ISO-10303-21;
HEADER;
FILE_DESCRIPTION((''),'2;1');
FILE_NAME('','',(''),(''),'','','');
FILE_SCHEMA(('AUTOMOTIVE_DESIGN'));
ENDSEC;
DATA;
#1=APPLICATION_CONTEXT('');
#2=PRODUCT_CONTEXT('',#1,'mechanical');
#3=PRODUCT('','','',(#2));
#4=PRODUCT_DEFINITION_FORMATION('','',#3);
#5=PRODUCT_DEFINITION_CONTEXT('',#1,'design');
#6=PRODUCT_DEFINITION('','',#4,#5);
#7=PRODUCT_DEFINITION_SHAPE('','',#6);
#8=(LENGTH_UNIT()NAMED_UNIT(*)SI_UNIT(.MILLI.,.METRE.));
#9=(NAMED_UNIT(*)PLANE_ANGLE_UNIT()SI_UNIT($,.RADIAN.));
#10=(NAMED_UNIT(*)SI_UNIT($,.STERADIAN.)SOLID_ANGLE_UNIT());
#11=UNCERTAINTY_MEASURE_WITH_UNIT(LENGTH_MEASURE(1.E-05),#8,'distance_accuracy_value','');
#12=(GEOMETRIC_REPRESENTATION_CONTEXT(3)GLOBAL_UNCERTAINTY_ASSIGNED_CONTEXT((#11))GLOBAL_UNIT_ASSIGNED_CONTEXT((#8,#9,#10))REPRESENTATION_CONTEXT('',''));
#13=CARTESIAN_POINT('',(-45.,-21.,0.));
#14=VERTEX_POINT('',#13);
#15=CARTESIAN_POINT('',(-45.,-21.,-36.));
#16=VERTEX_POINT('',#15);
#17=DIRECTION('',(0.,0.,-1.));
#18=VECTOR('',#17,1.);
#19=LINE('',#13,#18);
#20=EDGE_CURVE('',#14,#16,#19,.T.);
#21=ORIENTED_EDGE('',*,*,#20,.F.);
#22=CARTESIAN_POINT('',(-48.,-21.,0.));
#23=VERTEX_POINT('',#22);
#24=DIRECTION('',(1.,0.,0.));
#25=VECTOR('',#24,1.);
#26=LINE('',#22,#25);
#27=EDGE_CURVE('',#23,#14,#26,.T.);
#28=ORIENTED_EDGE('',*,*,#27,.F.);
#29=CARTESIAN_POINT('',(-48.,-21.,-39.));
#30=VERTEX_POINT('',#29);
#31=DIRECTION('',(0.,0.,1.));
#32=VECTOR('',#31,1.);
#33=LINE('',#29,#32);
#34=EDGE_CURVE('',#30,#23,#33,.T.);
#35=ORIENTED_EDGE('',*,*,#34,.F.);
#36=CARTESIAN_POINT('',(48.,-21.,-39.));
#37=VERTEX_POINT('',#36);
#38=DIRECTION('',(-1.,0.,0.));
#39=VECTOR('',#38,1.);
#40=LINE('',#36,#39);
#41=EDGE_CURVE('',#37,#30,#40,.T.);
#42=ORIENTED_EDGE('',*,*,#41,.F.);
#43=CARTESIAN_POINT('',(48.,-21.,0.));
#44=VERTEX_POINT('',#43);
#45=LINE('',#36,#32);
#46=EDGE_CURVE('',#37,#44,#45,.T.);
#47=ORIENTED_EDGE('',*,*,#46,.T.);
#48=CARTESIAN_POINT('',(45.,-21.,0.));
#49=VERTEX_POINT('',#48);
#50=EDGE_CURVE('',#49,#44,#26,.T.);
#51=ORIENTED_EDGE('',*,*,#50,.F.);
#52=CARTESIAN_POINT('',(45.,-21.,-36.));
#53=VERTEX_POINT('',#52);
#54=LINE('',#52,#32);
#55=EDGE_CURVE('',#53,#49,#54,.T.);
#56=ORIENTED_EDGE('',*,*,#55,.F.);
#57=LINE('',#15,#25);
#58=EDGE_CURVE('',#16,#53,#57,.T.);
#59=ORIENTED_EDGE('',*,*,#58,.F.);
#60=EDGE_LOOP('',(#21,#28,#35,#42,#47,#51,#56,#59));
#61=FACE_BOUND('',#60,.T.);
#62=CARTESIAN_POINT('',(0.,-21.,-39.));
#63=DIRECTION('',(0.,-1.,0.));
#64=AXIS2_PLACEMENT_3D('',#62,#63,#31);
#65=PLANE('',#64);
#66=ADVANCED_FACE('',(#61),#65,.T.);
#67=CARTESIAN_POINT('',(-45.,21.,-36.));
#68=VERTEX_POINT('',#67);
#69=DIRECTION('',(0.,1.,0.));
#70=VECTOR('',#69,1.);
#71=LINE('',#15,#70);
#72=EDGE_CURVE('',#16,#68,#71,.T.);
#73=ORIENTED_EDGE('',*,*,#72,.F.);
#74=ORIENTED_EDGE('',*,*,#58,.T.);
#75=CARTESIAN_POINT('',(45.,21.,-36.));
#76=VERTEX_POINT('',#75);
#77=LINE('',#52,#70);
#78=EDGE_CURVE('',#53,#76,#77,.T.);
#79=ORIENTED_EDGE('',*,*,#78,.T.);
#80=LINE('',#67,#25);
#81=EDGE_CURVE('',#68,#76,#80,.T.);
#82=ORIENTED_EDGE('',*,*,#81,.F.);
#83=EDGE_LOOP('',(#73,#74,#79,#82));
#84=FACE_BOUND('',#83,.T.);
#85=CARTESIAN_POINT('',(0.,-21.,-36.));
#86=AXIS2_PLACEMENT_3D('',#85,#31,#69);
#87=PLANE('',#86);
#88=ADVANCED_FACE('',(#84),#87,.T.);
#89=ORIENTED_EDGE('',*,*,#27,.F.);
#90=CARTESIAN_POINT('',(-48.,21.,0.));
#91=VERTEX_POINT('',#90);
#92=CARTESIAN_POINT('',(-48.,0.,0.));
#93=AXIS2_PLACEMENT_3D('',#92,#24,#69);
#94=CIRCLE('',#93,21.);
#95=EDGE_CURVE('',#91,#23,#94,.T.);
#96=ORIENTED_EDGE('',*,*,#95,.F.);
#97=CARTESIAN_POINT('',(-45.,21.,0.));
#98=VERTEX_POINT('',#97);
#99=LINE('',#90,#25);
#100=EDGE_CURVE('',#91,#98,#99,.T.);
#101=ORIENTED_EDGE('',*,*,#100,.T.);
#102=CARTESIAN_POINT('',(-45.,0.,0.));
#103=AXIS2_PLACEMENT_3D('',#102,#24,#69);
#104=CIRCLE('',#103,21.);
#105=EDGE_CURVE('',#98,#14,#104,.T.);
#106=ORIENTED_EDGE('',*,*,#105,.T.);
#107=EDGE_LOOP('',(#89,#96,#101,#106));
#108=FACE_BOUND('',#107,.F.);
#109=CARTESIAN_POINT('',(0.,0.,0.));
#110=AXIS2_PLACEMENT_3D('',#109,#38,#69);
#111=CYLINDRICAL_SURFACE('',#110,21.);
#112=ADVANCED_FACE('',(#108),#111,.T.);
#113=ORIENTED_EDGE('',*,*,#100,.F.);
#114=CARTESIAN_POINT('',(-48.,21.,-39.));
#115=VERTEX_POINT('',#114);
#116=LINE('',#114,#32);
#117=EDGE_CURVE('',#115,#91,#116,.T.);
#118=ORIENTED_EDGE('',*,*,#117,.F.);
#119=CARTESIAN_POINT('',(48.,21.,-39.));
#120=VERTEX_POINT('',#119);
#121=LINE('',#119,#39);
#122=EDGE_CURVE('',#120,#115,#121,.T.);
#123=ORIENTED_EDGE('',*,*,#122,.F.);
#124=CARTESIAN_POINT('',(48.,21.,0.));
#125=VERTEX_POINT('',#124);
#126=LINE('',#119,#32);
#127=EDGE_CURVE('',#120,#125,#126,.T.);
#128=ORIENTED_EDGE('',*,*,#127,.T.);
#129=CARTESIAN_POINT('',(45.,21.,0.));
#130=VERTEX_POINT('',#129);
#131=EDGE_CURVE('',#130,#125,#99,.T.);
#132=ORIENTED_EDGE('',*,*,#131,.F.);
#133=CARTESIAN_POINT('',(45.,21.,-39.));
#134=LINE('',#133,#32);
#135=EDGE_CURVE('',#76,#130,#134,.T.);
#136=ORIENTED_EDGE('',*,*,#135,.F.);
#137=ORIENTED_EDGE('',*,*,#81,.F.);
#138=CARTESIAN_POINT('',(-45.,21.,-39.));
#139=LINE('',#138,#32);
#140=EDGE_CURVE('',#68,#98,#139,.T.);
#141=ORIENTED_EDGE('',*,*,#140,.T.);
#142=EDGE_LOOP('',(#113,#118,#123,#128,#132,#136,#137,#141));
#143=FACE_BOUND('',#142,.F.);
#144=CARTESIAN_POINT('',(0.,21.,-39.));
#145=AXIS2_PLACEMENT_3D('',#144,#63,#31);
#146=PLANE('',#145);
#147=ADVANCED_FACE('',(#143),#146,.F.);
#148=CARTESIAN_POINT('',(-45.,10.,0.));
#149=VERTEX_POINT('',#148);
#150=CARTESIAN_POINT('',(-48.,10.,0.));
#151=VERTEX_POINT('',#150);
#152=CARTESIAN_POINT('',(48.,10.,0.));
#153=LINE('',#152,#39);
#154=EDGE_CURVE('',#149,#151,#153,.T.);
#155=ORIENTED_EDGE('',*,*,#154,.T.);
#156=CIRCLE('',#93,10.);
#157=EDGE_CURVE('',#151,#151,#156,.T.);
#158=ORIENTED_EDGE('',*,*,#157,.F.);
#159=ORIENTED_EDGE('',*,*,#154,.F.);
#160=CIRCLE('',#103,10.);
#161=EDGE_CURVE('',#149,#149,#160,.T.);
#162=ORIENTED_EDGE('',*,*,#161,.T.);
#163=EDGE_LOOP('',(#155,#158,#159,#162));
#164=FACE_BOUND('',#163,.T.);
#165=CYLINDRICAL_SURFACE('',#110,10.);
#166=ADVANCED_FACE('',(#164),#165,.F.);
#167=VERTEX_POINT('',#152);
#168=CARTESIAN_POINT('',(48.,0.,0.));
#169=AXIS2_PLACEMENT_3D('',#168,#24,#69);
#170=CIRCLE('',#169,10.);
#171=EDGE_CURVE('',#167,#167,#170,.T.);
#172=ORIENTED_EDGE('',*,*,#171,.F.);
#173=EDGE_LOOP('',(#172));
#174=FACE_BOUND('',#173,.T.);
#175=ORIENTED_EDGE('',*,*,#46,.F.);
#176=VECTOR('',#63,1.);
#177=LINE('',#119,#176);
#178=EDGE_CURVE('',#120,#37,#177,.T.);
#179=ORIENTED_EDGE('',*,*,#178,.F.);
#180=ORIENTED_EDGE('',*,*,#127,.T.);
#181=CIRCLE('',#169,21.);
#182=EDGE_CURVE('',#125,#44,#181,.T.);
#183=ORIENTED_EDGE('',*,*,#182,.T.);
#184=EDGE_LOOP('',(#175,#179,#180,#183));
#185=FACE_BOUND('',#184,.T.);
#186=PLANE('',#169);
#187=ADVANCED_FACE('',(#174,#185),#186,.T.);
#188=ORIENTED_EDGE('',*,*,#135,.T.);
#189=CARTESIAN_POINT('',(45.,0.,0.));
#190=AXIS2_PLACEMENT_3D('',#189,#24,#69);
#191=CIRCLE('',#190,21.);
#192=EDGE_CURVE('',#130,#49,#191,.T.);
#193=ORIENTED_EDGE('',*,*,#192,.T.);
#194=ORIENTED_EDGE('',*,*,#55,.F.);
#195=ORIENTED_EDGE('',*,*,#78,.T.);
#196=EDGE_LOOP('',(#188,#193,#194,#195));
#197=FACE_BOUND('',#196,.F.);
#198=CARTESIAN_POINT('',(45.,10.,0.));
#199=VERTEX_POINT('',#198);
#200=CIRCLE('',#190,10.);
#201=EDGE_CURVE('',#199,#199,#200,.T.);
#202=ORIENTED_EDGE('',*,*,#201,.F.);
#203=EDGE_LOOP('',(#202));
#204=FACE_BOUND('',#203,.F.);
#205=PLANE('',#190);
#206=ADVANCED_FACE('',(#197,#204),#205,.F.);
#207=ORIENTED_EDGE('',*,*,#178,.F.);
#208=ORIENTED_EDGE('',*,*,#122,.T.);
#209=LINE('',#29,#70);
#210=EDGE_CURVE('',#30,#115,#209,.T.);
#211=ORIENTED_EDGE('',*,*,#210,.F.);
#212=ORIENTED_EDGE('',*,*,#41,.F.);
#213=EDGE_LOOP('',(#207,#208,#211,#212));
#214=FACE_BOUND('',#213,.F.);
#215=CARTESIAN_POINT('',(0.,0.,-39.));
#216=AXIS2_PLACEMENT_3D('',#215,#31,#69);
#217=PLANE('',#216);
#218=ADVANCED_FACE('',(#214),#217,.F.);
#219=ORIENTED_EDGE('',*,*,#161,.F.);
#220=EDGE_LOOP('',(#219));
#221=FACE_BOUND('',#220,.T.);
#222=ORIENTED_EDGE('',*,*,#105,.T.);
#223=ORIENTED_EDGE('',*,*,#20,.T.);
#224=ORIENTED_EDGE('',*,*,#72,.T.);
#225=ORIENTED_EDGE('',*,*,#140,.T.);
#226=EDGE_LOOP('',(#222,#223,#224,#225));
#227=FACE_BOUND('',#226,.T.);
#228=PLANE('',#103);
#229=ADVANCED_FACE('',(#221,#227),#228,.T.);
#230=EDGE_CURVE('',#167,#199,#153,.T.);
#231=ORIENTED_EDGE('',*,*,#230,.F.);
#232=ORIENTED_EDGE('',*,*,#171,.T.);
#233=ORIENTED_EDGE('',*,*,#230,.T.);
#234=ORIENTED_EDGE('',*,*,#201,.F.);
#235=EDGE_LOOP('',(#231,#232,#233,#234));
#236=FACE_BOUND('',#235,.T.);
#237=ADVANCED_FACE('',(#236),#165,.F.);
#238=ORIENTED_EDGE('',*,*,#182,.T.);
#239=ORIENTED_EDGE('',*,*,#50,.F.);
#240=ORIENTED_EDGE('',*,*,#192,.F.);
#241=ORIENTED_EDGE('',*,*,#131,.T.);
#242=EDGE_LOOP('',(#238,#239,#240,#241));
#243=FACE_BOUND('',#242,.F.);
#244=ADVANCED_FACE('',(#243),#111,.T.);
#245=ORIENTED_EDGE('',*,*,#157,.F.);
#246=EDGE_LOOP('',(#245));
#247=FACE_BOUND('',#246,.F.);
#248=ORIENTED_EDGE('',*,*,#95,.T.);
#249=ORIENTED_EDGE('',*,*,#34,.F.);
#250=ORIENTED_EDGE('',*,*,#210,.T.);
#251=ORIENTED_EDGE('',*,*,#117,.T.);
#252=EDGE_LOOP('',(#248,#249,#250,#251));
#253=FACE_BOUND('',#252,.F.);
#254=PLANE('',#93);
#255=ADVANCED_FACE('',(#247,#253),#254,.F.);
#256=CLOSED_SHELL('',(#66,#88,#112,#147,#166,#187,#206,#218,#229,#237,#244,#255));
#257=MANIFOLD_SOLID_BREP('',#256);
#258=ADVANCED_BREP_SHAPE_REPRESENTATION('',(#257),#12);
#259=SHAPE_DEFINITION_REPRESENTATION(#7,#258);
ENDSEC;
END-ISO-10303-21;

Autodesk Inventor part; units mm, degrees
ref_plane "YZ Plane" through (0, 0, 0) normal (1, 0, 0) x (0, 1, 0)
ref_plane "XZ Plane" through (0, 0, 0) normal (0, 1, 0) x (-1, 0, 0)
ref_plane "XY Plane" through (0, 0, 0) normal (0, 0, 1) x (1, 0, 0)
sketch "Sketch1" plane through (0, 0, 0) normal (0, 0, 1) x (1, 0, 0)
  circle A0 centre (0, 0) radius 10
  arc A1 (21, 0) -> (-21, 0) centre (0, 0) ccw
  line L0 (0, 0) -> (0, -39) construction
  line L1 (0, -39) -> (21, -39)
  line L2 (0, -39) -> (-21, -39)
  line L3 (-21, -39) -> (-21, 0)
  line L4 (21, -39) -> (21, 0)
  dimension "d0" = 20
  dimension "d2" = 42
  dimension "d3" = 21
  dimension "d4" = 39
extrude "Extrusion1" add sketch "Sketch1" along normal mid plane 96
sketch "Sketch2" plane through (0, 0, 0) normal (0, 0, 1) x (1, 0, 0)
  circle A0 centre (0, 0) radius 10 projected
  line L0 (-21, -39) -> (21, -39) projected
  line L1 (21, -39) -> (21, 0) projected
  arc A1 (21, 0) -> (-21, 0) centre (0, 0) ccw projected
  line L2 (-21, 0) -> (-21, -39) projected
  line L3 (-21, -36) -> (21, -36)
  line L4 (21, -36) -> (21, 0)
  line L5 (-21, -31.2069) -> (-21, 0)
  dimension "d7" = 3
extrude "Extrusion2" cut sketch "Sketch2" along normal mid plane 90 contours L2 A1 L1 L3
move or copy body "Move Body1" bodies to move or copy 1 copy no rotation origin (0, 0, 0) rotation axis (1, 0, 0) rotation angle 90
move or copy body "Move Body2" bodies to move or copy 1 copy no rotation origin (0, 0, 0) rotation axis (0, 0, 1) rotation angle 90
properties part number "Wrist_Roll"
